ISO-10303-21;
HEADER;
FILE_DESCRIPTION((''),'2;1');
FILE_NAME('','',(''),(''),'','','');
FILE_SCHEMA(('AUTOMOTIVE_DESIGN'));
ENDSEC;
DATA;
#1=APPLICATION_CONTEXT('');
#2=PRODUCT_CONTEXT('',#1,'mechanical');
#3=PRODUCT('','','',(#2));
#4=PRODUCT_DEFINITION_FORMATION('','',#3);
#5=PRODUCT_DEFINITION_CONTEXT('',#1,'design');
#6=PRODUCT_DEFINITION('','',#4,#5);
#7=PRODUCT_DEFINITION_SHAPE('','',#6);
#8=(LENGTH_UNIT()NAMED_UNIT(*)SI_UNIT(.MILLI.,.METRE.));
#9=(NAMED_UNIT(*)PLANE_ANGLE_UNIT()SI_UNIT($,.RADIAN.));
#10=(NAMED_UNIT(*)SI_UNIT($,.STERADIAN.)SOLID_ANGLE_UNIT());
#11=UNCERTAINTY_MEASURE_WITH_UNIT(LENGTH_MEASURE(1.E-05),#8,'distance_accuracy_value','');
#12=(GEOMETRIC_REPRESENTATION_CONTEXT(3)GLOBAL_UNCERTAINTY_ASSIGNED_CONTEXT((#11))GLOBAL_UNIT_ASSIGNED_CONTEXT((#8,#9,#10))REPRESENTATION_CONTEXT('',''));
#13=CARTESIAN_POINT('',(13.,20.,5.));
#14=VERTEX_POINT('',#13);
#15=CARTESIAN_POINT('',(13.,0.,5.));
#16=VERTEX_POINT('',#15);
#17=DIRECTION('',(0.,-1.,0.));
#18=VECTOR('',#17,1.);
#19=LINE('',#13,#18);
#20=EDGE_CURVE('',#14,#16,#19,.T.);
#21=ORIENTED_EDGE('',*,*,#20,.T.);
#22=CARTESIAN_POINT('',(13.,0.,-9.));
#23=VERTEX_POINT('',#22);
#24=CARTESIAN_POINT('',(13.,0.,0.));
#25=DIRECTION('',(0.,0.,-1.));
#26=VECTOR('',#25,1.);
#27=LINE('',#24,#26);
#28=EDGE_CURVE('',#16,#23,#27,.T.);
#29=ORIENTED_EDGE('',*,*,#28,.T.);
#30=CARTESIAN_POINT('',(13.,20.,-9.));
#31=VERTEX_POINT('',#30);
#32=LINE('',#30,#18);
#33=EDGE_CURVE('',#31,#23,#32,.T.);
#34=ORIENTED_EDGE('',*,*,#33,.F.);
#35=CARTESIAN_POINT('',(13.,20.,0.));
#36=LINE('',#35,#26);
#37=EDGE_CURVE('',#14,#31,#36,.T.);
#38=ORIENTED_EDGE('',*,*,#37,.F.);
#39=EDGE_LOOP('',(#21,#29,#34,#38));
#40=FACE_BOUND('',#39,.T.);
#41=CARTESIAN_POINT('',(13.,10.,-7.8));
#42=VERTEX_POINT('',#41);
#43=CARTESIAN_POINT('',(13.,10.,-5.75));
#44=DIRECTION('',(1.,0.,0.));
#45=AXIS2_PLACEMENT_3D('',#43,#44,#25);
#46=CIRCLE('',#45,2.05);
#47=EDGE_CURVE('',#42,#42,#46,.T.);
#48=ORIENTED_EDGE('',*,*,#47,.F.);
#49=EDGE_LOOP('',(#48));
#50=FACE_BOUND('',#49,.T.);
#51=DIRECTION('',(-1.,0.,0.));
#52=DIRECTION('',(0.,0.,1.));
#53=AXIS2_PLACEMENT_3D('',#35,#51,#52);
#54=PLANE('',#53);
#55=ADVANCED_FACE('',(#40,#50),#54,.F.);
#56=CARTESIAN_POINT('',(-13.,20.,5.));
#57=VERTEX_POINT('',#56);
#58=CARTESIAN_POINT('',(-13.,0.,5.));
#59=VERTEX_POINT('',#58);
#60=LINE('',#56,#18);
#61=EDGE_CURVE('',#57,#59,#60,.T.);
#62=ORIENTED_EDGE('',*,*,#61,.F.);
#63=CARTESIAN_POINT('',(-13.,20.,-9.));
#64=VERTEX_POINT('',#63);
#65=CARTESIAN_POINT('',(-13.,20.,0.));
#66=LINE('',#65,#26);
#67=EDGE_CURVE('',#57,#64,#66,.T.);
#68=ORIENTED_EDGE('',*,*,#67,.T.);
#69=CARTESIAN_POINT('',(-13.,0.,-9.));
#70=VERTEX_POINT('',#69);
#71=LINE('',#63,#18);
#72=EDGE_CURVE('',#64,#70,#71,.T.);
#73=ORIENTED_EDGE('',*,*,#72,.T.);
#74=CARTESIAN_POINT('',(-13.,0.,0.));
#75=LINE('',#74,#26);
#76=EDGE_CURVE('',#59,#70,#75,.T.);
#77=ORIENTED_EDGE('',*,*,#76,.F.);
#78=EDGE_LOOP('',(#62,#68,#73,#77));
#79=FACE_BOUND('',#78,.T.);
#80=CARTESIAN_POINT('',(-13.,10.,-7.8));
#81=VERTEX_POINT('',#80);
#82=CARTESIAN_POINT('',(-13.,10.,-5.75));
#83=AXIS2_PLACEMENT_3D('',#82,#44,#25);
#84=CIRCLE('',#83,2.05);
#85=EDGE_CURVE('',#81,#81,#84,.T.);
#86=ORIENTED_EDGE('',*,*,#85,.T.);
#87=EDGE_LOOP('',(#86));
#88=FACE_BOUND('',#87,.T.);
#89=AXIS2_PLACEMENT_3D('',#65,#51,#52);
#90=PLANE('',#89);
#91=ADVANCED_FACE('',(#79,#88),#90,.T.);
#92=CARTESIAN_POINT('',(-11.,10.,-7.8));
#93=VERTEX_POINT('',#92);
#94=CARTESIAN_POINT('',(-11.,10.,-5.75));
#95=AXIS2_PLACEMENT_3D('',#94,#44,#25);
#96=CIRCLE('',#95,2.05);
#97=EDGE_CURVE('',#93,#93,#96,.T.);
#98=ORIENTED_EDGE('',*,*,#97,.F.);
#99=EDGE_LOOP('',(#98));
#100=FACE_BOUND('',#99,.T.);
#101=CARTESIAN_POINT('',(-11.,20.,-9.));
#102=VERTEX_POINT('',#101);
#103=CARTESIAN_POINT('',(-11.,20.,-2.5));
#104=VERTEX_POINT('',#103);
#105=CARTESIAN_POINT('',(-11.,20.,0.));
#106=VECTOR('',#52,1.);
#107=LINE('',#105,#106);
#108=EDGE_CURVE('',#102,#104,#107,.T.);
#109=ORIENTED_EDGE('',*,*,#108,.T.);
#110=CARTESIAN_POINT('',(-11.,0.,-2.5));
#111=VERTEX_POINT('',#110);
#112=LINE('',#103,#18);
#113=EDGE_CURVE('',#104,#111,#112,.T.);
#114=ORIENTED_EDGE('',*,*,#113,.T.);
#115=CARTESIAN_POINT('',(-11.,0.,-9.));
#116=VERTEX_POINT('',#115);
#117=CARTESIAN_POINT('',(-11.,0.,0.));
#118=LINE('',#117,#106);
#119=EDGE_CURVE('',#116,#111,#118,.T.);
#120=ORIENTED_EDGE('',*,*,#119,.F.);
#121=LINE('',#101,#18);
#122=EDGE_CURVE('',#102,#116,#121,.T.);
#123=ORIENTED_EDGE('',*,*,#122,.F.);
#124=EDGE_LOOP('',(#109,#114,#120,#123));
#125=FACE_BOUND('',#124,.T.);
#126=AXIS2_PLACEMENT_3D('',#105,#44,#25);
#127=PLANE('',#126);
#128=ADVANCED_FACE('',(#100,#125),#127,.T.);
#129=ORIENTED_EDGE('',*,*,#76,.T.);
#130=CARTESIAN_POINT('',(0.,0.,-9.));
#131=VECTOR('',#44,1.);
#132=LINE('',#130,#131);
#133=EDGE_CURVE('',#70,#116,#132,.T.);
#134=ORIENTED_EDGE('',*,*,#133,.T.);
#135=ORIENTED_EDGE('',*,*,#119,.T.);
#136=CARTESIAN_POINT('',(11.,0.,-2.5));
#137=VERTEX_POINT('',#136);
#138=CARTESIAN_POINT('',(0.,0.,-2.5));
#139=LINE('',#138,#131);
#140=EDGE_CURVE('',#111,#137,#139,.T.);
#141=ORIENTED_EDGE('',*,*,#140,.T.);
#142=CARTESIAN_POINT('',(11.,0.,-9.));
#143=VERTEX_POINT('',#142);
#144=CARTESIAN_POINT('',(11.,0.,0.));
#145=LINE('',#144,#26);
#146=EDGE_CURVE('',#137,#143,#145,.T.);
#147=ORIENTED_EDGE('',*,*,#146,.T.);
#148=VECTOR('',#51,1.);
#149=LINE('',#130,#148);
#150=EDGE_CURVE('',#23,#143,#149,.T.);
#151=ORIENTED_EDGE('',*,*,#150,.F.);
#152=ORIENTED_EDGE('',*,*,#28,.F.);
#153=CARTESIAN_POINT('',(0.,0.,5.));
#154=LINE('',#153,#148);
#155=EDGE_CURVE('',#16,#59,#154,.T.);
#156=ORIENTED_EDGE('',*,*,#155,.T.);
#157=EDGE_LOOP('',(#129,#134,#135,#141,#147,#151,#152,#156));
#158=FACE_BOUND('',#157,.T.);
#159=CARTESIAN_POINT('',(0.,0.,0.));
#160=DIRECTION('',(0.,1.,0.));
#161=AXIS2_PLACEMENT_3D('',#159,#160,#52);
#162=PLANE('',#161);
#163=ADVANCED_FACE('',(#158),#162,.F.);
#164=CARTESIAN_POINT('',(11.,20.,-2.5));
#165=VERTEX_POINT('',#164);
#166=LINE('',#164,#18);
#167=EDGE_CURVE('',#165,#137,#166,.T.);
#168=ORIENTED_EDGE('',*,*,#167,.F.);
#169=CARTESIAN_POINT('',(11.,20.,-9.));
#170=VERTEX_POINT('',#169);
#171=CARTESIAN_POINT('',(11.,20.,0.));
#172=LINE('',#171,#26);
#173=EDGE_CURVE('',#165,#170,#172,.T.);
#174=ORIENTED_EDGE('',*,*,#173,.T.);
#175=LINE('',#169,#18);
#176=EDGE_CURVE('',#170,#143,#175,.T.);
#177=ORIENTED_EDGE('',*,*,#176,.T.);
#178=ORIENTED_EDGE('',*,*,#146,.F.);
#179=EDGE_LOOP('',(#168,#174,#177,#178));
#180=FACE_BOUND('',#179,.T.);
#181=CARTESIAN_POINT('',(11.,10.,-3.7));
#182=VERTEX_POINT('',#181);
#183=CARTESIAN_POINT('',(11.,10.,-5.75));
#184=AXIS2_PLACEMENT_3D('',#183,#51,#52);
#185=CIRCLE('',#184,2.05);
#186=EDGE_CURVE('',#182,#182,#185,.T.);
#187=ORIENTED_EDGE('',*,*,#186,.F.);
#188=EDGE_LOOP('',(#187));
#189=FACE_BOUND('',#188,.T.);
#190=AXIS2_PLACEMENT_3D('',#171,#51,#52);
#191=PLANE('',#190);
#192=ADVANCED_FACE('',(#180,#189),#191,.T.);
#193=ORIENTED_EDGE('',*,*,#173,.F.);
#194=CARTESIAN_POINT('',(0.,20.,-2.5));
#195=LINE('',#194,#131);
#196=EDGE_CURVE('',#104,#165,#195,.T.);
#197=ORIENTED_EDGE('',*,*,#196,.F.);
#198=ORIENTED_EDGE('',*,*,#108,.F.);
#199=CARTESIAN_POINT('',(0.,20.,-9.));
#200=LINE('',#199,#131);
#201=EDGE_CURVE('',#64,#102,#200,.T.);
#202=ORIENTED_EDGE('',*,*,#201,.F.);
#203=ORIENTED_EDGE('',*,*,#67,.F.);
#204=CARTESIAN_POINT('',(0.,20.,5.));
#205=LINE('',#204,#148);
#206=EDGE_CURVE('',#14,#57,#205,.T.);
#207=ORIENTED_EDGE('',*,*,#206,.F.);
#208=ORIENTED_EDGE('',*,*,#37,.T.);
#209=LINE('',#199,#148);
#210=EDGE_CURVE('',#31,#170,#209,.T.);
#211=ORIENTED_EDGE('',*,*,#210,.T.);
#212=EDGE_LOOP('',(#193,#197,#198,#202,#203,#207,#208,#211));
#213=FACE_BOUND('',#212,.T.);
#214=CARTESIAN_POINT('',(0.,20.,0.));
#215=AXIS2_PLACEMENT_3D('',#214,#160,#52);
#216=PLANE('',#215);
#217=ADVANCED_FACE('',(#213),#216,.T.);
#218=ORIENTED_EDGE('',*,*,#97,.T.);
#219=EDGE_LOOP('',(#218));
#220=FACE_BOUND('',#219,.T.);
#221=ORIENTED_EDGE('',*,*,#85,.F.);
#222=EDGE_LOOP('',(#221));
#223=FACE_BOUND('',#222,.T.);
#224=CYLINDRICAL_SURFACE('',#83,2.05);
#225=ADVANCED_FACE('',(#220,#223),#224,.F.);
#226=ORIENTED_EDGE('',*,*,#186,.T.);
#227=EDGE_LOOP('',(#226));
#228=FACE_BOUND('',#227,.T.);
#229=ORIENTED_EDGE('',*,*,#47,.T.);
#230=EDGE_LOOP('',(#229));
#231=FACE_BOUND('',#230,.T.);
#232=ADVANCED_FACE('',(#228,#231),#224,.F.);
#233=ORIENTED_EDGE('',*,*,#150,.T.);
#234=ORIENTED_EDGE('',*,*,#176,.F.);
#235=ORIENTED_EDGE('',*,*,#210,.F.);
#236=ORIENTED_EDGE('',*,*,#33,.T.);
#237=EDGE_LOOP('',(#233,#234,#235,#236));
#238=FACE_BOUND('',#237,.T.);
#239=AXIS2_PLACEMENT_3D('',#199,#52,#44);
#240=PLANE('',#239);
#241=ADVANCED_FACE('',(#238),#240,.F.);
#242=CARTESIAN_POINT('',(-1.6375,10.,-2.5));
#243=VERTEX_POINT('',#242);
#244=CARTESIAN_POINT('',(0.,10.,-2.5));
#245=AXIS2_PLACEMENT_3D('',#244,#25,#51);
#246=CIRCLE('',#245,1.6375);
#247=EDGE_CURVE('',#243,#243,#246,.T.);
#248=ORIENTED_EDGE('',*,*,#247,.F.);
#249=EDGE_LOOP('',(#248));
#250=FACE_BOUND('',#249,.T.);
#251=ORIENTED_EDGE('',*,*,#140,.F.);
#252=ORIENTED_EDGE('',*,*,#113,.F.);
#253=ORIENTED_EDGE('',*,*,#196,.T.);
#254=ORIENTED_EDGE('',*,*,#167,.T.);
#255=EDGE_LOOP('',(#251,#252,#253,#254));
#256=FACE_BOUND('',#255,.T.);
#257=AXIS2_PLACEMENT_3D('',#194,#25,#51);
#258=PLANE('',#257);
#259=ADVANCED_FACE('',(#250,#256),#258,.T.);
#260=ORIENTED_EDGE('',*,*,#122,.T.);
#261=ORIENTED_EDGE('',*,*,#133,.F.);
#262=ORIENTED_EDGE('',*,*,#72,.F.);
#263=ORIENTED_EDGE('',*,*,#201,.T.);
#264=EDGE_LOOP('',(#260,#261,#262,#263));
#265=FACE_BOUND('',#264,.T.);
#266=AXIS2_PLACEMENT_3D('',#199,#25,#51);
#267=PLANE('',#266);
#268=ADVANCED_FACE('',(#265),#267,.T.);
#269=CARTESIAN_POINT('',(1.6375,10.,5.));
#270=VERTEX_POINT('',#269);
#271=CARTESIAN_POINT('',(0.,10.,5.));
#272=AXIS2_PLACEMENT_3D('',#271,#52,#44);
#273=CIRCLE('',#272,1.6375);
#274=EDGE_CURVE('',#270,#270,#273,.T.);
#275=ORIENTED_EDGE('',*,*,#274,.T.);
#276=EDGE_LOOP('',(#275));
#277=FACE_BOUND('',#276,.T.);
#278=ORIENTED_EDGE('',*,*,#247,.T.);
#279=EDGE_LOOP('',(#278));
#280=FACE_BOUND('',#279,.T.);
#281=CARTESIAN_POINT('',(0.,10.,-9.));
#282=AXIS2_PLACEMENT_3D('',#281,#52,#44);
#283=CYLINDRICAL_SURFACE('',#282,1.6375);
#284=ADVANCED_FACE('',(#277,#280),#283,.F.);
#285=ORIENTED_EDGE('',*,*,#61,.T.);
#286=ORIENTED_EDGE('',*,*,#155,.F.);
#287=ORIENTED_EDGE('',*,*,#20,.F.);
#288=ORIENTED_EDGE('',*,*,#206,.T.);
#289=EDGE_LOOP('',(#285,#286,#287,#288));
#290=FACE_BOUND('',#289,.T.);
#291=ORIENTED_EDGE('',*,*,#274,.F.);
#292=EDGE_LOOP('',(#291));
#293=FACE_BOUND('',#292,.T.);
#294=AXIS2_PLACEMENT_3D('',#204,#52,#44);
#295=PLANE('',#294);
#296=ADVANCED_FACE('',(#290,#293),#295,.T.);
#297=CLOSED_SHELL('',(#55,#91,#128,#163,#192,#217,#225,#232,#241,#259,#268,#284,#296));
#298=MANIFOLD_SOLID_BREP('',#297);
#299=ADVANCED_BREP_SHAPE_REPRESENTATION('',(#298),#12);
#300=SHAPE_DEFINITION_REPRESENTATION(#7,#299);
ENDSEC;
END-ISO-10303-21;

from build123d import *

# Parameters (mm, degrees)
BOSS_EXTRUDE1_DEPTH     = 20
SKETCH3_R               = 1.6375
CUT_EXTRUDE1_DEPTH      = 6
CUT_EXTRUDE1_DEPTH_BACK = 10
SKETCH7_R               = 2.05
CUT_EXTRUDE2_DEPTH      = 14
CUT_EXTRUDE2_DEPTH_BACK = 14


with BuildPart() as part:
    # Sketch1 → Boss-Extrude1 (new body)
    with BuildSketch(Plane(origin=(0, 0, 0), x_dir=(1, 0, 0), z_dir=(0, 1, 0))):
        Polygon((13, -5), (13, 9), (11, 9), (11, 2.5), (-11, 2.5), (-11, 9), (-13, 9), (-13, -5), align=None)
    extrude(amount=BOSS_EXTRUDE1_DEPTH)

    # Sketch3 → Cut-Extrude1 (cut, two sides)
    with BuildSketch(Plane.XY) as cut_extrude1_sk:
        with Locations((0, 10)):
            Circle(SKETCH3_R)
    extrude(amount=CUT_EXTRUDE1_DEPTH, mode=Mode.SUBTRACT)
    extrude(cut_extrude1_sk.sketch, amount=-CUT_EXTRUDE1_DEPTH_BACK, mode=Mode.SUBTRACT)

    # Sketch7 → Cut-Extrude2 (cut, two sides)
    with BuildSketch(Plane(origin=(0, 0, 0), x_dir=(0, 0, -1), z_dir=(1, 0, 0))) as cut_extrude2_sk:
        with Locations((5.75, 10)):
            Circle(SKETCH7_R)
    extrude(amount=CUT_EXTRUDE2_DEPTH, mode=Mode.SUBTRACT)
    extrude(cut_extrude2_sk.sketch, amount=-CUT_EXTRUDE2_DEPTH_BACK, mode=Mode.SUBTRACT)


solid = part.part
